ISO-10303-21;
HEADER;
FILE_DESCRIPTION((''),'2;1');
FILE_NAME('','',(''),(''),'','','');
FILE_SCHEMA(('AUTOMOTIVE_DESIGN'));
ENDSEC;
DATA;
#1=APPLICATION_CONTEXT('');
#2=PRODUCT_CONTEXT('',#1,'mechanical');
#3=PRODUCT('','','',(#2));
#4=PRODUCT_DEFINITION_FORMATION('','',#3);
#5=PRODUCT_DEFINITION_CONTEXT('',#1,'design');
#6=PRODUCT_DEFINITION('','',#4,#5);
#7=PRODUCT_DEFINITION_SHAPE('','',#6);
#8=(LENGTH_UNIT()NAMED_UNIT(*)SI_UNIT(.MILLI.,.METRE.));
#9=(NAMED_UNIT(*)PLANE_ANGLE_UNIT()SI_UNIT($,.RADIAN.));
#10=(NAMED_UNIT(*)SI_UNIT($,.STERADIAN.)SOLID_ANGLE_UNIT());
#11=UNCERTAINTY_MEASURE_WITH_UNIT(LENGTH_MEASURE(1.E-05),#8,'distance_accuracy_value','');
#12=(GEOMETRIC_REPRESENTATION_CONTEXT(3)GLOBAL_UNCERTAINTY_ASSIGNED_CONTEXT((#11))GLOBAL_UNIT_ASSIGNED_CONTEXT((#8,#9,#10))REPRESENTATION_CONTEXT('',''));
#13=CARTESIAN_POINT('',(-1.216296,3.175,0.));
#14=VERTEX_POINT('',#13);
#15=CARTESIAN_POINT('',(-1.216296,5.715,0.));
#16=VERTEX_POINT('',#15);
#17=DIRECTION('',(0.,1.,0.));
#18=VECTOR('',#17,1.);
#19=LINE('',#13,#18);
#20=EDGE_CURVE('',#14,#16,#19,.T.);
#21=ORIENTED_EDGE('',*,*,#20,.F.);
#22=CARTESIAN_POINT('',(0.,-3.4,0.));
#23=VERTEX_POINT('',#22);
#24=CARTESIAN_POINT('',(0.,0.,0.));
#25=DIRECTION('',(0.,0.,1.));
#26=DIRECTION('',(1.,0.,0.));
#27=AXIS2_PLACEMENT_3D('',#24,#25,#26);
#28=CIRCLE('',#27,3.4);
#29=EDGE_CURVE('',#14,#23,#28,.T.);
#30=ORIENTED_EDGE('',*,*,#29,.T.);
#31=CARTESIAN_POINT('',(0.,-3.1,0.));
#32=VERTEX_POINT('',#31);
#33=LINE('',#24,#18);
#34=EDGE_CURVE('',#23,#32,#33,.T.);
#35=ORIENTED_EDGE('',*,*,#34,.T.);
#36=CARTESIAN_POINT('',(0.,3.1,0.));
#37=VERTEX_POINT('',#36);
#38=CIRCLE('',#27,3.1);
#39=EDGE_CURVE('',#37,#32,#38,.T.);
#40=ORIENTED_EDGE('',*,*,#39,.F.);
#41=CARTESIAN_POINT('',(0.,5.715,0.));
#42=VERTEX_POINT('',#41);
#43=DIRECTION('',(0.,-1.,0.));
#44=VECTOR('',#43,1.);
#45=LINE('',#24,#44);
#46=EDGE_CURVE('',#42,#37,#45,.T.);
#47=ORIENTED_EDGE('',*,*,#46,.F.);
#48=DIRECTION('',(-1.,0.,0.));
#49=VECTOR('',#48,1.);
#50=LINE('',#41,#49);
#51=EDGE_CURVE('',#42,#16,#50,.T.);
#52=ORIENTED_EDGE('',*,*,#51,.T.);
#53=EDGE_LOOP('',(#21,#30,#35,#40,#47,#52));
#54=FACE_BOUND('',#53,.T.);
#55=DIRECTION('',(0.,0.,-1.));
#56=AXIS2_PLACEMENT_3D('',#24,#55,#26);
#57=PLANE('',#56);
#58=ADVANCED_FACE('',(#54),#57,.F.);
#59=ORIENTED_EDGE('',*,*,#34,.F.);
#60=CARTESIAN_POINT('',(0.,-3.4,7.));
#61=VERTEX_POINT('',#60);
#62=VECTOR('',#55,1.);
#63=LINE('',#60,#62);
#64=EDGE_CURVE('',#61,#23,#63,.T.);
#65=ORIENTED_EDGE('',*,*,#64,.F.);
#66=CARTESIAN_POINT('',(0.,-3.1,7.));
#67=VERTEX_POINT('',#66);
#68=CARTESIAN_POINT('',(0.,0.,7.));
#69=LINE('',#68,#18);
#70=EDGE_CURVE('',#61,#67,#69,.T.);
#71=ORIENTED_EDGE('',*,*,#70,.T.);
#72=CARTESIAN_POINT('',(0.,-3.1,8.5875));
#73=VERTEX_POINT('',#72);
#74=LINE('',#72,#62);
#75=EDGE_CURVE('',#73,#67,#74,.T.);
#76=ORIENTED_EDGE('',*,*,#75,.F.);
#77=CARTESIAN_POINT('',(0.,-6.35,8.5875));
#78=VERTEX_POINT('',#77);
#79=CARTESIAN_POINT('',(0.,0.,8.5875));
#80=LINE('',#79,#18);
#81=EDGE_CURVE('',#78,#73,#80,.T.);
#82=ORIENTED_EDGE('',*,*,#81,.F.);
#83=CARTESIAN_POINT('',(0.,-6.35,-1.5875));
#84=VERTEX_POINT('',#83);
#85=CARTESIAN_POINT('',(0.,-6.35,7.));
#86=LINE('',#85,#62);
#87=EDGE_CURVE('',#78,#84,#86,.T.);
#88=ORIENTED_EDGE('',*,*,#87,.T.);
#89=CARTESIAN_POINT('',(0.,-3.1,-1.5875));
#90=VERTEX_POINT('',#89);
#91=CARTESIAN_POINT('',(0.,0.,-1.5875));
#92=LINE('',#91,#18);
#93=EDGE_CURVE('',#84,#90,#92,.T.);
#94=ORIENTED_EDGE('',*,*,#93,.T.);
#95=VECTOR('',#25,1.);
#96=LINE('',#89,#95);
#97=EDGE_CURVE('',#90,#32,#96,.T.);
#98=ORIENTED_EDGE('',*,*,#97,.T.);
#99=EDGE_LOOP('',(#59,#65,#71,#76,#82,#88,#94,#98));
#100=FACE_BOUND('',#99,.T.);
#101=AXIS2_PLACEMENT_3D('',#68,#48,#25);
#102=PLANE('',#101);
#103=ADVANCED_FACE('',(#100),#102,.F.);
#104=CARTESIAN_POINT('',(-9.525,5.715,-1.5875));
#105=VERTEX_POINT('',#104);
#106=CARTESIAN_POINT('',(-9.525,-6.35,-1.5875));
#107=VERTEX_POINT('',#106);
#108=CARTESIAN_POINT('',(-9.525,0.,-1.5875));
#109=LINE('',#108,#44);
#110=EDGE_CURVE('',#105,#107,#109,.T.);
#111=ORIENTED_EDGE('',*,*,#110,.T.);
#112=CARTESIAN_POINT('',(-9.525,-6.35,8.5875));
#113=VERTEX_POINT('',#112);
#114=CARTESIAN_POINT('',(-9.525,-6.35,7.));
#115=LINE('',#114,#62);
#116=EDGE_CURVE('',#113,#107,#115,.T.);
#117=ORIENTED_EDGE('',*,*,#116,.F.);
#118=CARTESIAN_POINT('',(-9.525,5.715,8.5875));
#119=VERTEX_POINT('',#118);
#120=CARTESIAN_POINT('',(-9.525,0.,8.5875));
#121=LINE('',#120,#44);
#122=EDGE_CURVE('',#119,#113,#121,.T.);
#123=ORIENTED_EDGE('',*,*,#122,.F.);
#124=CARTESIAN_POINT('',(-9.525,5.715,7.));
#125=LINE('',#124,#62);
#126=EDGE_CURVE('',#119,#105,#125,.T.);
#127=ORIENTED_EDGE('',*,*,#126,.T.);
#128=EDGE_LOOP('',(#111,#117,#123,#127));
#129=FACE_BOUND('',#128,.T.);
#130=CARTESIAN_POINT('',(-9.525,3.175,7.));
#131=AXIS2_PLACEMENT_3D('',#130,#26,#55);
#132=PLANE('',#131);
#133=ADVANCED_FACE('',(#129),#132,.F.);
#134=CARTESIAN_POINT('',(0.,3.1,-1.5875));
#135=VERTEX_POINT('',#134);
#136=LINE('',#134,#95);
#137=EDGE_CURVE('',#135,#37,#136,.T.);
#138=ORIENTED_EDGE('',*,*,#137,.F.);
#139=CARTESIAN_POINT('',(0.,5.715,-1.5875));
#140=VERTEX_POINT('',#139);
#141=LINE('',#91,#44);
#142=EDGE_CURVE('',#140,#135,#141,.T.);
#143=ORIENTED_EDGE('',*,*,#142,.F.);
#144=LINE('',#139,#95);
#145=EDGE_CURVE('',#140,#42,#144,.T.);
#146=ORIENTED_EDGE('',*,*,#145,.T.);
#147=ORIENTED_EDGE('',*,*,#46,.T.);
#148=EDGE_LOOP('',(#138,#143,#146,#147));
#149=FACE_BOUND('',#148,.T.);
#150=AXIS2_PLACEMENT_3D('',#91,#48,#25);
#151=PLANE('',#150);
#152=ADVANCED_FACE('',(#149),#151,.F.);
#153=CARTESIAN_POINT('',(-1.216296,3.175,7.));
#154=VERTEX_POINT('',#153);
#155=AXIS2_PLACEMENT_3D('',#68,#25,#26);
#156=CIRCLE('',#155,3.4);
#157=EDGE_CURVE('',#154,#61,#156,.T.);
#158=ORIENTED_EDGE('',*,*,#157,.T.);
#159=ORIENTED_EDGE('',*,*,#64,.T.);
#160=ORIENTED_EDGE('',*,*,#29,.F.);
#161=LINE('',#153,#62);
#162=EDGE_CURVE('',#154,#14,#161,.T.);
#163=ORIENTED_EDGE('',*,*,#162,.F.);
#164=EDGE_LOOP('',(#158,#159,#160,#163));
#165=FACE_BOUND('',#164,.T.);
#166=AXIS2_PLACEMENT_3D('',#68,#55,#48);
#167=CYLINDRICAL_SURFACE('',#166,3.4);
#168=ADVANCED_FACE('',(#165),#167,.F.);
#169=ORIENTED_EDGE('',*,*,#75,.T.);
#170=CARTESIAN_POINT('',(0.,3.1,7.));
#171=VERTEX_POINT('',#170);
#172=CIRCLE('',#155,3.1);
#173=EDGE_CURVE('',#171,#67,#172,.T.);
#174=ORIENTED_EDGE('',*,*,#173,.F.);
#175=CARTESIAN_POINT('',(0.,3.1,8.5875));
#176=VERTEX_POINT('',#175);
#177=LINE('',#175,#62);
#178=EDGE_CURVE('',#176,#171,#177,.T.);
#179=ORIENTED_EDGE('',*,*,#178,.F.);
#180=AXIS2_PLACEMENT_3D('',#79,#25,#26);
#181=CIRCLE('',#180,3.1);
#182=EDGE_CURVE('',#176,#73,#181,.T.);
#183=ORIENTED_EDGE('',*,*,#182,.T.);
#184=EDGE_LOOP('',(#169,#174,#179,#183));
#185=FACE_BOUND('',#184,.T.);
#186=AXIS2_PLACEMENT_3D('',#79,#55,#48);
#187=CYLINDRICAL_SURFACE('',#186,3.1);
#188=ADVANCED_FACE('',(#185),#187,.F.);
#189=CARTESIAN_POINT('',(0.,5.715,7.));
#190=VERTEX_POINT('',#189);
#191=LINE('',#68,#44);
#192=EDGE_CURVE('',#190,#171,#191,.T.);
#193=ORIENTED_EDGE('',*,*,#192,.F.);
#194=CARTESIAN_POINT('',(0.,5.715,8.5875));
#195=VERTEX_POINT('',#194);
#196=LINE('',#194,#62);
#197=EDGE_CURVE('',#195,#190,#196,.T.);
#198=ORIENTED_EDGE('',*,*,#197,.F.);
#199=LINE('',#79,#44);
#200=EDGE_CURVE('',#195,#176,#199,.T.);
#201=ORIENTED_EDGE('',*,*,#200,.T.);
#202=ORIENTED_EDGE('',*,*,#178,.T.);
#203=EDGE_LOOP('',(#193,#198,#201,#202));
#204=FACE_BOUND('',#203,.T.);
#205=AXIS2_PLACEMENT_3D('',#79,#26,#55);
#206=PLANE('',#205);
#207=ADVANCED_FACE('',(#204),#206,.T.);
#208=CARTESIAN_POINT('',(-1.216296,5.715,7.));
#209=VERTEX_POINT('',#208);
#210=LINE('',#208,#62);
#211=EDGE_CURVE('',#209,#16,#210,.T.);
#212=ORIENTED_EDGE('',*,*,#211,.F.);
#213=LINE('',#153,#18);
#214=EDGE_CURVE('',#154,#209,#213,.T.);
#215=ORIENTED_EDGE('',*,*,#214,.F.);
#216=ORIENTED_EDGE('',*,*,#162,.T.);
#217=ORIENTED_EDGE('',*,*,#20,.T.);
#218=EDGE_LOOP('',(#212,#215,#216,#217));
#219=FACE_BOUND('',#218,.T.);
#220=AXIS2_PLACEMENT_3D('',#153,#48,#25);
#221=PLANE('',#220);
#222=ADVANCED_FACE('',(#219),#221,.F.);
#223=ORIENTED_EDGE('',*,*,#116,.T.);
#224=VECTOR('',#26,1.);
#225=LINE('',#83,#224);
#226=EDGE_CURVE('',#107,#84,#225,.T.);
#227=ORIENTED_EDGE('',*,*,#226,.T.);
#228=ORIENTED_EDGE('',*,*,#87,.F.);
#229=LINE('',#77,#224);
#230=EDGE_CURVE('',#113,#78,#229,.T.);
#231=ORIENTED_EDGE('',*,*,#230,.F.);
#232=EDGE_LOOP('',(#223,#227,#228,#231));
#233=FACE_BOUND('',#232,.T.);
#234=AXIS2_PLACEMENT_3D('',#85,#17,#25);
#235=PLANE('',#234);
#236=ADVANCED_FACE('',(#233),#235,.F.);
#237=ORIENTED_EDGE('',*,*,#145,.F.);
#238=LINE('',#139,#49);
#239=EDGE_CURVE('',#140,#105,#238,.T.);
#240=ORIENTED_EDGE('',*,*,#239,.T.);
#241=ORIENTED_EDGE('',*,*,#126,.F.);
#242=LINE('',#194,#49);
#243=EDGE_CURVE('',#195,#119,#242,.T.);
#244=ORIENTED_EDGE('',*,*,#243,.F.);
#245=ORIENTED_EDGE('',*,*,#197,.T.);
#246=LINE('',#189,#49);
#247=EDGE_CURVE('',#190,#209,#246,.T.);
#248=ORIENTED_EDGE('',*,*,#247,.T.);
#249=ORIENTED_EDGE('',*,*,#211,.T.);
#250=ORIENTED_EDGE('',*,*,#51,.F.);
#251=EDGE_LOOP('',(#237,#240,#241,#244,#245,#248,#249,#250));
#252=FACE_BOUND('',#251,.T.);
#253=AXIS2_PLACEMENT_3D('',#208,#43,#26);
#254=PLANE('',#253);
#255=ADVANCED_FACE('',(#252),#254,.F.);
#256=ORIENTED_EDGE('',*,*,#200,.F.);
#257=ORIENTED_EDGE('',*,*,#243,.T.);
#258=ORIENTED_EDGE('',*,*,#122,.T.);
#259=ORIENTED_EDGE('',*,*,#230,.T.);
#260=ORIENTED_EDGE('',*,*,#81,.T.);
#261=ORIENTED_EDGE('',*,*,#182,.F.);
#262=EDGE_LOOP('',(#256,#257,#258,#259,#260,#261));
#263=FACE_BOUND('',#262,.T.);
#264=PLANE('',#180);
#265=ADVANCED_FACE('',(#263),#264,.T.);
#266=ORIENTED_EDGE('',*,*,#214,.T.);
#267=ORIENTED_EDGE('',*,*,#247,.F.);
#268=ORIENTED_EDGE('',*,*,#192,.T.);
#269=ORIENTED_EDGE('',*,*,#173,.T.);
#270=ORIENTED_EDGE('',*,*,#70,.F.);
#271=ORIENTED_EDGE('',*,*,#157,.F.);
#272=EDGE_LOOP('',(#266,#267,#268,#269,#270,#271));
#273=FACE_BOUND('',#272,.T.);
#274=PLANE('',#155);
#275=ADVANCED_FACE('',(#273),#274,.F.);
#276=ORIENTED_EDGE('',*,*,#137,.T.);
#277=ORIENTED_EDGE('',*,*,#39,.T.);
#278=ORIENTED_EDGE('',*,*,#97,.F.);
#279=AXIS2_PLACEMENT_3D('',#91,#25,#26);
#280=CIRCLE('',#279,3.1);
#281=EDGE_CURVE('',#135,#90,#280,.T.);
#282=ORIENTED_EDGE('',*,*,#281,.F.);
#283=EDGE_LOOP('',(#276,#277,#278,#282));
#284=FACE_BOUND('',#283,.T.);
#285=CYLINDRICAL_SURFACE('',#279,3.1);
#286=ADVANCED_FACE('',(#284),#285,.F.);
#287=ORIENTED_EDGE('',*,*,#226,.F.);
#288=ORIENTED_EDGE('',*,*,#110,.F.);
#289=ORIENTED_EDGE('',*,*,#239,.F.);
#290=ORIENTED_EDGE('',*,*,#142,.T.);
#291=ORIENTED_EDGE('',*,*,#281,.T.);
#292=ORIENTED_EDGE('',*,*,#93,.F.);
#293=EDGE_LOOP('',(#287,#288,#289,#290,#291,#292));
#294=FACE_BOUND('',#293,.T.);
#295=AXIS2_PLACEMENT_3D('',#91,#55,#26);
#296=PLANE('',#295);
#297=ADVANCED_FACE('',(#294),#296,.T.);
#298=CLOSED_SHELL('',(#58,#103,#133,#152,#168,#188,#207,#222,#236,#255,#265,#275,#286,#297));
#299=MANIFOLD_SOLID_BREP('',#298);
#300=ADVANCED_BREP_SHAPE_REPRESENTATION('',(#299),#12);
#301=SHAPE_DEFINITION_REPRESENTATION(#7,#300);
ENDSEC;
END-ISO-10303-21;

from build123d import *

# Parameters (mm, degrees)
SKETCH1_W           = 3.175
SKETCH1_H           = 9.525
SKETCH1_W_2         = 8.308704394
SKETCH1_H_2         = 2.54
BOSS_EXTRUDE1_DEPTH = 7
BOSS_EXTRUDE2_DEPTH = 1.5875


with BuildPart() as part:
    # Sketch1 → Boss-Extrude1 (new body)
    with BuildSketch(Plane.XY):
        with BuildLine():
            ThreePointArc((0, -3.4), (-3.343276836, -0.618465844), (-1.216295606, 3.175))
            Line((-1.216295606, 3.175), (-6.35, 3.175))
            Line((-6.35, 3.175), (-6.35, -6.35))
            Line((-6.35, -6.35), (0, -6.35))
            Line((0, -6.35), (0, -3.4))
        make_face()
        with Locations((-7.9375, -1.5875)):
            Rectangle(SKETCH1_W, SKETCH1_H)
        with Locations((-5.370647803, 4.445)):
            Rectangle(SKETCH1_W_2, SKETCH1_H_2)
    extrude(amount=BOSS_EXTRUDE1_DEPTH)

    # Sketch2 → Boss-Extrude2 (add)
    with BuildSketch(Plane.XY.offset(7)):
        with BuildLine():
            Line((-1.216295606, 3.175), (-1.216295606, 5.715))
            Line((-1.216295606, 5.715), (-9.525, 5.715))
            Line((-9.525, 5.715), (-9.525, -6.35))
            Line((-9.525, -6.35), (-1.216295606, -6.35))
            Line((-1.216295606, -6.35), (-1.216295606, -3.175))
            ThreePointArc((-1.216295606, -3.175), (-3.4, 0), (-1.216295606, 3.175))
        make_face()
        with BuildLine():
            Line((-1.216295606, 2.851425082), (-1.216295606, 3.175))
            ThreePointArc((-1.216295606, 3.175), (-3.4, 0), (-1.216295606, -3.175))
            Line((-1.216295606, -3.175), (-1.216295606, -2.851425082))
            ThreePointArc((-1.216295606, -2.851425082), (-3.1, 0), (-1.216295606, 2.851425082))
        make_face()
        with BuildLine():
            Line((-1.216295606, -2.851425082), (-1.216295606, -3.175))
            ThreePointArc((-1.216295606, -3.175), (-0.618465844, -3.343276836), (0, -3.4))
            Line((0, -3.4), (0, -3.1))
            ThreePointArc((0, -3.1), (-0.620718231, -3.037220584), (-1.216295606, -2.851425082))
        make_face()
        with BuildLine():
            ThreePointArc((0, -3.4), (-0.618465844, -3.343276836), (-1.216295606, -3.175))
            Line((-1.216295606, -3.175), (-1.216295606, -6.35))
            Line((-1.216295606, -6.35), (0, -6.35))
            Line((0, -6.35), (0, -3.4))
        make_face()
        with BuildLine():
            Line((0, 5.715), (-1.216295606, 5.715))
            Line((-1.216295606, 5.715), (-1.216295606, 3.175))
            Line((-1.216295606, 3.175), (-1.216295606, 2.851425082))
            ThreePointArc((-1.216295606, 2.851425082), (-0.620718231, 3.037220584), (0, 3.1))
            Line((0, 3.1), (0, 5.715))
        make_face()
    boss_extrude2 = extrude(amount=BOSS_EXTRUDE2_DEPTH)

    # Mirror1: Boss-Extrude2 across plane
    add(boss_extrude2.mirror(Plane.XY.offset(3.5)))


solid = part.part
